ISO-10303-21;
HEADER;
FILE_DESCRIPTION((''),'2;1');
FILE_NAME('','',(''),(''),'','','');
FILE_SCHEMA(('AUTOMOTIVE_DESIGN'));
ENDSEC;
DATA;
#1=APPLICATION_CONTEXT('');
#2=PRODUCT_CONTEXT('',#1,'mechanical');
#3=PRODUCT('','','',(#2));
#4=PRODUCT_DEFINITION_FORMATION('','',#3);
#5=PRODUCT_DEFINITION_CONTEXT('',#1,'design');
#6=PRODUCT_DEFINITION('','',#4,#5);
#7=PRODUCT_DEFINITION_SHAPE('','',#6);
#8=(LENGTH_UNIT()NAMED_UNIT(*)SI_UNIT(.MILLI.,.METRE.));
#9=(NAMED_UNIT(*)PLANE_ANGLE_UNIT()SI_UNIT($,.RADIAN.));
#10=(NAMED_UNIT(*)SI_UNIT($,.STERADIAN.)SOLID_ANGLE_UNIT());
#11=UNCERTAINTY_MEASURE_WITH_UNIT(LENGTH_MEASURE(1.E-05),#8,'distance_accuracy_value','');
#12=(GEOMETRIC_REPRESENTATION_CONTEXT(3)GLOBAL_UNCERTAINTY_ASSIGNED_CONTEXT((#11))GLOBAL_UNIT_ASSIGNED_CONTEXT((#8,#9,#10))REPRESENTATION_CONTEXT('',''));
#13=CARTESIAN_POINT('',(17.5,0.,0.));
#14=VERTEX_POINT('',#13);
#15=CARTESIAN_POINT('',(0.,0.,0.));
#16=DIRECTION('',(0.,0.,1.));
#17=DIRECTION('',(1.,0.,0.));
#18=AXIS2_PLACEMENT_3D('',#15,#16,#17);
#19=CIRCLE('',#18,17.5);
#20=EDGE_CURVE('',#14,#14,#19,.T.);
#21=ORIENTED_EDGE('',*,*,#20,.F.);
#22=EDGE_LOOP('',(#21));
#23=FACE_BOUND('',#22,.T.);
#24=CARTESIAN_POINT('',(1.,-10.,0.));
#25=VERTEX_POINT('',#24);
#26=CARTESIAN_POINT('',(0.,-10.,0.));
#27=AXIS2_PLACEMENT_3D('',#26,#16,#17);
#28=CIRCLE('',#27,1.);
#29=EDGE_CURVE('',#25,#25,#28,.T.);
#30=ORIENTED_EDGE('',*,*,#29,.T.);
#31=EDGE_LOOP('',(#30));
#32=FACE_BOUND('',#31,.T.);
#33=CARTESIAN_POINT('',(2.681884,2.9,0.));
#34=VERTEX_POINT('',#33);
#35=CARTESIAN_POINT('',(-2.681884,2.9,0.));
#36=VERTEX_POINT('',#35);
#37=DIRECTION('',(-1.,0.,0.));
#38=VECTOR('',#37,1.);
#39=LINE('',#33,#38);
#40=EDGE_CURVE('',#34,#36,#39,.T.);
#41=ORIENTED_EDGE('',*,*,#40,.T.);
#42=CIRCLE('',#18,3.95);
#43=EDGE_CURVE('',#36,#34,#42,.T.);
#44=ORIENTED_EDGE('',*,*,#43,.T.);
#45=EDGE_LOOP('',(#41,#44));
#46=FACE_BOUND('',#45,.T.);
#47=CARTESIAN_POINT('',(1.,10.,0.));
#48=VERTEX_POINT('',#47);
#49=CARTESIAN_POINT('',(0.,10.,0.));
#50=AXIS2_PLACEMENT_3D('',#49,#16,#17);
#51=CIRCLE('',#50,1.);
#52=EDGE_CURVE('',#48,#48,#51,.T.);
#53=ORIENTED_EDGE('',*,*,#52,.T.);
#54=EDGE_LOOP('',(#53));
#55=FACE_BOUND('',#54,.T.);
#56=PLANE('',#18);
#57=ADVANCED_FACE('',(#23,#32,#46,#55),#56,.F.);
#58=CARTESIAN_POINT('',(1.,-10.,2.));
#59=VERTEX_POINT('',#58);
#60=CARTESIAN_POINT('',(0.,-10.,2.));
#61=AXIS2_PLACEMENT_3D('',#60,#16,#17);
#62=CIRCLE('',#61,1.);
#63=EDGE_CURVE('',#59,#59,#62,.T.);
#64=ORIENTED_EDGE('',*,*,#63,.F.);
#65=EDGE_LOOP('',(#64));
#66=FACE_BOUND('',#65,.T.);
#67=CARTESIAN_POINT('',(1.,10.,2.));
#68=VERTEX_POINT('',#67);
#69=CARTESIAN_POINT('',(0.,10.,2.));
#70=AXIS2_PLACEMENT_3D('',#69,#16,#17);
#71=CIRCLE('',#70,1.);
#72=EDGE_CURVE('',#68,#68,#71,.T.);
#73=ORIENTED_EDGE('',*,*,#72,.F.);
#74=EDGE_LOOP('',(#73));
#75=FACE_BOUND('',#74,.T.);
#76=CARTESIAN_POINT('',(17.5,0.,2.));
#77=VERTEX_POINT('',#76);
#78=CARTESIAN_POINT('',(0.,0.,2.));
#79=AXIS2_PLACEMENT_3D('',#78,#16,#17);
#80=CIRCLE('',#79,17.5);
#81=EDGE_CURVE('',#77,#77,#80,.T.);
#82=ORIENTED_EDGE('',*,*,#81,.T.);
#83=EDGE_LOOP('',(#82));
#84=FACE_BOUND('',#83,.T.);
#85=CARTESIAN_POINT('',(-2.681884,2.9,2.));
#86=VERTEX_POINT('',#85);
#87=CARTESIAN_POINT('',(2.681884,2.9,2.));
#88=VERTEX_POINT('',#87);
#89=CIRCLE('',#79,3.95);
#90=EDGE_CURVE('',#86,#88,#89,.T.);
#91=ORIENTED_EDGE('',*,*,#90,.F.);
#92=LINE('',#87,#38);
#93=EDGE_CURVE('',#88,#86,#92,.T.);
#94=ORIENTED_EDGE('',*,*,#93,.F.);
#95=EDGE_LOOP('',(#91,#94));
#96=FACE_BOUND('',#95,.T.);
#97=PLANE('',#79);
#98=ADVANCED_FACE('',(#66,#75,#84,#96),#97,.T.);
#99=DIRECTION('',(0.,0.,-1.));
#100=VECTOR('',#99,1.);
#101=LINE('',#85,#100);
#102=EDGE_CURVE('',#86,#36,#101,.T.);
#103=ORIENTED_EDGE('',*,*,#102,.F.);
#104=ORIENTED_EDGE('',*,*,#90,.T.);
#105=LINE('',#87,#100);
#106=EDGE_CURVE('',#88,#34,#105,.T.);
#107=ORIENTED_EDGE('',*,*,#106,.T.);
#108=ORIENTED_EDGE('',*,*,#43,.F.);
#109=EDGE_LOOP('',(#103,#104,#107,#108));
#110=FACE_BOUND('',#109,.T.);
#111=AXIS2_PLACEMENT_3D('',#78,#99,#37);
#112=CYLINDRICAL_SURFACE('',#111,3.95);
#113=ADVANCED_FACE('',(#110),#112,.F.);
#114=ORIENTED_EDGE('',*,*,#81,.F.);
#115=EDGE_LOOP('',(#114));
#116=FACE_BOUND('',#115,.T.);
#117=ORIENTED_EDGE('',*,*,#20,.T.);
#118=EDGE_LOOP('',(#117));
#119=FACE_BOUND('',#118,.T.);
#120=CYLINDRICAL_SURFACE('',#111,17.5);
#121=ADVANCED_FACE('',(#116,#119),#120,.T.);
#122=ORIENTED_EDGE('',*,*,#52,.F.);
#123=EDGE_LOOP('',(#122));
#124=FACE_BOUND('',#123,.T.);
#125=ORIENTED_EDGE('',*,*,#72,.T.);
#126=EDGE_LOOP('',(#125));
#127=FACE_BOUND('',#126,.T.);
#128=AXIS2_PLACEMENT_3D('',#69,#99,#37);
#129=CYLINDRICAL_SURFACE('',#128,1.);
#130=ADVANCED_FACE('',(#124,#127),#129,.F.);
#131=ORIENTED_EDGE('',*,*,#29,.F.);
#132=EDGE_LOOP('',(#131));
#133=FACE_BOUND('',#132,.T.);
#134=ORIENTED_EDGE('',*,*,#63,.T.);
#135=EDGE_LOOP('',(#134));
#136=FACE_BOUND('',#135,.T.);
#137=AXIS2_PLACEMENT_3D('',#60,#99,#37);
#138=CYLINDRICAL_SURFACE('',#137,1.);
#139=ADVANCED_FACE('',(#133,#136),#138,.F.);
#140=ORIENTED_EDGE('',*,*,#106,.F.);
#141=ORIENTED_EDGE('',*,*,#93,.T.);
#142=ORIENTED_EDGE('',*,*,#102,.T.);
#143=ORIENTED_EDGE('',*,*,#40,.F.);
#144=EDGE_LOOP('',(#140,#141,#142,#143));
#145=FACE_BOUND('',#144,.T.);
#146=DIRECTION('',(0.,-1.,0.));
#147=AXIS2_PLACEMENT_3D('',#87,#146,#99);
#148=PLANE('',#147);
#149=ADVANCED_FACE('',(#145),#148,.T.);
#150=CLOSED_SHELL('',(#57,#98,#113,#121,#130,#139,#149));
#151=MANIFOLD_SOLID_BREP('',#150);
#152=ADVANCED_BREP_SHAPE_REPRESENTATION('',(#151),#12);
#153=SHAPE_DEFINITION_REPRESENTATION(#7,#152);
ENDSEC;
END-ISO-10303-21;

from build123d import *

# Parameters (mm, degrees)
SKETCH_1_R      = 17.5
SKETCH_1_R_2    = 1
EXTRUDE_1_DEPTH = 2


with BuildPart() as part:
    # Эскиз1 → Бобышка-Вытянуть1 (new body)
    with BuildSketch(Plane.XY):
        Circle(SKETCH_1_R)
        with Locations((0, 10)):
            Circle(SKETCH_1_R_2, mode=Mode.SUBTRACT)
        with Locations((0, -10)):
            Circle(SKETCH_1_R_2, mode=Mode.SUBTRACT)
        with BuildLine():
            Line((2.681883666, 2.9), (-2.681883666, 2.9))
            ThreePointArc((-2.681883666, 2.9), (0, -3.95), (2.681883666, 2.9))
        make_face(mode=Mode.SUBTRACT)
    extrude(amount=EXTRUDE_1_DEPTH)


solid = part.part
